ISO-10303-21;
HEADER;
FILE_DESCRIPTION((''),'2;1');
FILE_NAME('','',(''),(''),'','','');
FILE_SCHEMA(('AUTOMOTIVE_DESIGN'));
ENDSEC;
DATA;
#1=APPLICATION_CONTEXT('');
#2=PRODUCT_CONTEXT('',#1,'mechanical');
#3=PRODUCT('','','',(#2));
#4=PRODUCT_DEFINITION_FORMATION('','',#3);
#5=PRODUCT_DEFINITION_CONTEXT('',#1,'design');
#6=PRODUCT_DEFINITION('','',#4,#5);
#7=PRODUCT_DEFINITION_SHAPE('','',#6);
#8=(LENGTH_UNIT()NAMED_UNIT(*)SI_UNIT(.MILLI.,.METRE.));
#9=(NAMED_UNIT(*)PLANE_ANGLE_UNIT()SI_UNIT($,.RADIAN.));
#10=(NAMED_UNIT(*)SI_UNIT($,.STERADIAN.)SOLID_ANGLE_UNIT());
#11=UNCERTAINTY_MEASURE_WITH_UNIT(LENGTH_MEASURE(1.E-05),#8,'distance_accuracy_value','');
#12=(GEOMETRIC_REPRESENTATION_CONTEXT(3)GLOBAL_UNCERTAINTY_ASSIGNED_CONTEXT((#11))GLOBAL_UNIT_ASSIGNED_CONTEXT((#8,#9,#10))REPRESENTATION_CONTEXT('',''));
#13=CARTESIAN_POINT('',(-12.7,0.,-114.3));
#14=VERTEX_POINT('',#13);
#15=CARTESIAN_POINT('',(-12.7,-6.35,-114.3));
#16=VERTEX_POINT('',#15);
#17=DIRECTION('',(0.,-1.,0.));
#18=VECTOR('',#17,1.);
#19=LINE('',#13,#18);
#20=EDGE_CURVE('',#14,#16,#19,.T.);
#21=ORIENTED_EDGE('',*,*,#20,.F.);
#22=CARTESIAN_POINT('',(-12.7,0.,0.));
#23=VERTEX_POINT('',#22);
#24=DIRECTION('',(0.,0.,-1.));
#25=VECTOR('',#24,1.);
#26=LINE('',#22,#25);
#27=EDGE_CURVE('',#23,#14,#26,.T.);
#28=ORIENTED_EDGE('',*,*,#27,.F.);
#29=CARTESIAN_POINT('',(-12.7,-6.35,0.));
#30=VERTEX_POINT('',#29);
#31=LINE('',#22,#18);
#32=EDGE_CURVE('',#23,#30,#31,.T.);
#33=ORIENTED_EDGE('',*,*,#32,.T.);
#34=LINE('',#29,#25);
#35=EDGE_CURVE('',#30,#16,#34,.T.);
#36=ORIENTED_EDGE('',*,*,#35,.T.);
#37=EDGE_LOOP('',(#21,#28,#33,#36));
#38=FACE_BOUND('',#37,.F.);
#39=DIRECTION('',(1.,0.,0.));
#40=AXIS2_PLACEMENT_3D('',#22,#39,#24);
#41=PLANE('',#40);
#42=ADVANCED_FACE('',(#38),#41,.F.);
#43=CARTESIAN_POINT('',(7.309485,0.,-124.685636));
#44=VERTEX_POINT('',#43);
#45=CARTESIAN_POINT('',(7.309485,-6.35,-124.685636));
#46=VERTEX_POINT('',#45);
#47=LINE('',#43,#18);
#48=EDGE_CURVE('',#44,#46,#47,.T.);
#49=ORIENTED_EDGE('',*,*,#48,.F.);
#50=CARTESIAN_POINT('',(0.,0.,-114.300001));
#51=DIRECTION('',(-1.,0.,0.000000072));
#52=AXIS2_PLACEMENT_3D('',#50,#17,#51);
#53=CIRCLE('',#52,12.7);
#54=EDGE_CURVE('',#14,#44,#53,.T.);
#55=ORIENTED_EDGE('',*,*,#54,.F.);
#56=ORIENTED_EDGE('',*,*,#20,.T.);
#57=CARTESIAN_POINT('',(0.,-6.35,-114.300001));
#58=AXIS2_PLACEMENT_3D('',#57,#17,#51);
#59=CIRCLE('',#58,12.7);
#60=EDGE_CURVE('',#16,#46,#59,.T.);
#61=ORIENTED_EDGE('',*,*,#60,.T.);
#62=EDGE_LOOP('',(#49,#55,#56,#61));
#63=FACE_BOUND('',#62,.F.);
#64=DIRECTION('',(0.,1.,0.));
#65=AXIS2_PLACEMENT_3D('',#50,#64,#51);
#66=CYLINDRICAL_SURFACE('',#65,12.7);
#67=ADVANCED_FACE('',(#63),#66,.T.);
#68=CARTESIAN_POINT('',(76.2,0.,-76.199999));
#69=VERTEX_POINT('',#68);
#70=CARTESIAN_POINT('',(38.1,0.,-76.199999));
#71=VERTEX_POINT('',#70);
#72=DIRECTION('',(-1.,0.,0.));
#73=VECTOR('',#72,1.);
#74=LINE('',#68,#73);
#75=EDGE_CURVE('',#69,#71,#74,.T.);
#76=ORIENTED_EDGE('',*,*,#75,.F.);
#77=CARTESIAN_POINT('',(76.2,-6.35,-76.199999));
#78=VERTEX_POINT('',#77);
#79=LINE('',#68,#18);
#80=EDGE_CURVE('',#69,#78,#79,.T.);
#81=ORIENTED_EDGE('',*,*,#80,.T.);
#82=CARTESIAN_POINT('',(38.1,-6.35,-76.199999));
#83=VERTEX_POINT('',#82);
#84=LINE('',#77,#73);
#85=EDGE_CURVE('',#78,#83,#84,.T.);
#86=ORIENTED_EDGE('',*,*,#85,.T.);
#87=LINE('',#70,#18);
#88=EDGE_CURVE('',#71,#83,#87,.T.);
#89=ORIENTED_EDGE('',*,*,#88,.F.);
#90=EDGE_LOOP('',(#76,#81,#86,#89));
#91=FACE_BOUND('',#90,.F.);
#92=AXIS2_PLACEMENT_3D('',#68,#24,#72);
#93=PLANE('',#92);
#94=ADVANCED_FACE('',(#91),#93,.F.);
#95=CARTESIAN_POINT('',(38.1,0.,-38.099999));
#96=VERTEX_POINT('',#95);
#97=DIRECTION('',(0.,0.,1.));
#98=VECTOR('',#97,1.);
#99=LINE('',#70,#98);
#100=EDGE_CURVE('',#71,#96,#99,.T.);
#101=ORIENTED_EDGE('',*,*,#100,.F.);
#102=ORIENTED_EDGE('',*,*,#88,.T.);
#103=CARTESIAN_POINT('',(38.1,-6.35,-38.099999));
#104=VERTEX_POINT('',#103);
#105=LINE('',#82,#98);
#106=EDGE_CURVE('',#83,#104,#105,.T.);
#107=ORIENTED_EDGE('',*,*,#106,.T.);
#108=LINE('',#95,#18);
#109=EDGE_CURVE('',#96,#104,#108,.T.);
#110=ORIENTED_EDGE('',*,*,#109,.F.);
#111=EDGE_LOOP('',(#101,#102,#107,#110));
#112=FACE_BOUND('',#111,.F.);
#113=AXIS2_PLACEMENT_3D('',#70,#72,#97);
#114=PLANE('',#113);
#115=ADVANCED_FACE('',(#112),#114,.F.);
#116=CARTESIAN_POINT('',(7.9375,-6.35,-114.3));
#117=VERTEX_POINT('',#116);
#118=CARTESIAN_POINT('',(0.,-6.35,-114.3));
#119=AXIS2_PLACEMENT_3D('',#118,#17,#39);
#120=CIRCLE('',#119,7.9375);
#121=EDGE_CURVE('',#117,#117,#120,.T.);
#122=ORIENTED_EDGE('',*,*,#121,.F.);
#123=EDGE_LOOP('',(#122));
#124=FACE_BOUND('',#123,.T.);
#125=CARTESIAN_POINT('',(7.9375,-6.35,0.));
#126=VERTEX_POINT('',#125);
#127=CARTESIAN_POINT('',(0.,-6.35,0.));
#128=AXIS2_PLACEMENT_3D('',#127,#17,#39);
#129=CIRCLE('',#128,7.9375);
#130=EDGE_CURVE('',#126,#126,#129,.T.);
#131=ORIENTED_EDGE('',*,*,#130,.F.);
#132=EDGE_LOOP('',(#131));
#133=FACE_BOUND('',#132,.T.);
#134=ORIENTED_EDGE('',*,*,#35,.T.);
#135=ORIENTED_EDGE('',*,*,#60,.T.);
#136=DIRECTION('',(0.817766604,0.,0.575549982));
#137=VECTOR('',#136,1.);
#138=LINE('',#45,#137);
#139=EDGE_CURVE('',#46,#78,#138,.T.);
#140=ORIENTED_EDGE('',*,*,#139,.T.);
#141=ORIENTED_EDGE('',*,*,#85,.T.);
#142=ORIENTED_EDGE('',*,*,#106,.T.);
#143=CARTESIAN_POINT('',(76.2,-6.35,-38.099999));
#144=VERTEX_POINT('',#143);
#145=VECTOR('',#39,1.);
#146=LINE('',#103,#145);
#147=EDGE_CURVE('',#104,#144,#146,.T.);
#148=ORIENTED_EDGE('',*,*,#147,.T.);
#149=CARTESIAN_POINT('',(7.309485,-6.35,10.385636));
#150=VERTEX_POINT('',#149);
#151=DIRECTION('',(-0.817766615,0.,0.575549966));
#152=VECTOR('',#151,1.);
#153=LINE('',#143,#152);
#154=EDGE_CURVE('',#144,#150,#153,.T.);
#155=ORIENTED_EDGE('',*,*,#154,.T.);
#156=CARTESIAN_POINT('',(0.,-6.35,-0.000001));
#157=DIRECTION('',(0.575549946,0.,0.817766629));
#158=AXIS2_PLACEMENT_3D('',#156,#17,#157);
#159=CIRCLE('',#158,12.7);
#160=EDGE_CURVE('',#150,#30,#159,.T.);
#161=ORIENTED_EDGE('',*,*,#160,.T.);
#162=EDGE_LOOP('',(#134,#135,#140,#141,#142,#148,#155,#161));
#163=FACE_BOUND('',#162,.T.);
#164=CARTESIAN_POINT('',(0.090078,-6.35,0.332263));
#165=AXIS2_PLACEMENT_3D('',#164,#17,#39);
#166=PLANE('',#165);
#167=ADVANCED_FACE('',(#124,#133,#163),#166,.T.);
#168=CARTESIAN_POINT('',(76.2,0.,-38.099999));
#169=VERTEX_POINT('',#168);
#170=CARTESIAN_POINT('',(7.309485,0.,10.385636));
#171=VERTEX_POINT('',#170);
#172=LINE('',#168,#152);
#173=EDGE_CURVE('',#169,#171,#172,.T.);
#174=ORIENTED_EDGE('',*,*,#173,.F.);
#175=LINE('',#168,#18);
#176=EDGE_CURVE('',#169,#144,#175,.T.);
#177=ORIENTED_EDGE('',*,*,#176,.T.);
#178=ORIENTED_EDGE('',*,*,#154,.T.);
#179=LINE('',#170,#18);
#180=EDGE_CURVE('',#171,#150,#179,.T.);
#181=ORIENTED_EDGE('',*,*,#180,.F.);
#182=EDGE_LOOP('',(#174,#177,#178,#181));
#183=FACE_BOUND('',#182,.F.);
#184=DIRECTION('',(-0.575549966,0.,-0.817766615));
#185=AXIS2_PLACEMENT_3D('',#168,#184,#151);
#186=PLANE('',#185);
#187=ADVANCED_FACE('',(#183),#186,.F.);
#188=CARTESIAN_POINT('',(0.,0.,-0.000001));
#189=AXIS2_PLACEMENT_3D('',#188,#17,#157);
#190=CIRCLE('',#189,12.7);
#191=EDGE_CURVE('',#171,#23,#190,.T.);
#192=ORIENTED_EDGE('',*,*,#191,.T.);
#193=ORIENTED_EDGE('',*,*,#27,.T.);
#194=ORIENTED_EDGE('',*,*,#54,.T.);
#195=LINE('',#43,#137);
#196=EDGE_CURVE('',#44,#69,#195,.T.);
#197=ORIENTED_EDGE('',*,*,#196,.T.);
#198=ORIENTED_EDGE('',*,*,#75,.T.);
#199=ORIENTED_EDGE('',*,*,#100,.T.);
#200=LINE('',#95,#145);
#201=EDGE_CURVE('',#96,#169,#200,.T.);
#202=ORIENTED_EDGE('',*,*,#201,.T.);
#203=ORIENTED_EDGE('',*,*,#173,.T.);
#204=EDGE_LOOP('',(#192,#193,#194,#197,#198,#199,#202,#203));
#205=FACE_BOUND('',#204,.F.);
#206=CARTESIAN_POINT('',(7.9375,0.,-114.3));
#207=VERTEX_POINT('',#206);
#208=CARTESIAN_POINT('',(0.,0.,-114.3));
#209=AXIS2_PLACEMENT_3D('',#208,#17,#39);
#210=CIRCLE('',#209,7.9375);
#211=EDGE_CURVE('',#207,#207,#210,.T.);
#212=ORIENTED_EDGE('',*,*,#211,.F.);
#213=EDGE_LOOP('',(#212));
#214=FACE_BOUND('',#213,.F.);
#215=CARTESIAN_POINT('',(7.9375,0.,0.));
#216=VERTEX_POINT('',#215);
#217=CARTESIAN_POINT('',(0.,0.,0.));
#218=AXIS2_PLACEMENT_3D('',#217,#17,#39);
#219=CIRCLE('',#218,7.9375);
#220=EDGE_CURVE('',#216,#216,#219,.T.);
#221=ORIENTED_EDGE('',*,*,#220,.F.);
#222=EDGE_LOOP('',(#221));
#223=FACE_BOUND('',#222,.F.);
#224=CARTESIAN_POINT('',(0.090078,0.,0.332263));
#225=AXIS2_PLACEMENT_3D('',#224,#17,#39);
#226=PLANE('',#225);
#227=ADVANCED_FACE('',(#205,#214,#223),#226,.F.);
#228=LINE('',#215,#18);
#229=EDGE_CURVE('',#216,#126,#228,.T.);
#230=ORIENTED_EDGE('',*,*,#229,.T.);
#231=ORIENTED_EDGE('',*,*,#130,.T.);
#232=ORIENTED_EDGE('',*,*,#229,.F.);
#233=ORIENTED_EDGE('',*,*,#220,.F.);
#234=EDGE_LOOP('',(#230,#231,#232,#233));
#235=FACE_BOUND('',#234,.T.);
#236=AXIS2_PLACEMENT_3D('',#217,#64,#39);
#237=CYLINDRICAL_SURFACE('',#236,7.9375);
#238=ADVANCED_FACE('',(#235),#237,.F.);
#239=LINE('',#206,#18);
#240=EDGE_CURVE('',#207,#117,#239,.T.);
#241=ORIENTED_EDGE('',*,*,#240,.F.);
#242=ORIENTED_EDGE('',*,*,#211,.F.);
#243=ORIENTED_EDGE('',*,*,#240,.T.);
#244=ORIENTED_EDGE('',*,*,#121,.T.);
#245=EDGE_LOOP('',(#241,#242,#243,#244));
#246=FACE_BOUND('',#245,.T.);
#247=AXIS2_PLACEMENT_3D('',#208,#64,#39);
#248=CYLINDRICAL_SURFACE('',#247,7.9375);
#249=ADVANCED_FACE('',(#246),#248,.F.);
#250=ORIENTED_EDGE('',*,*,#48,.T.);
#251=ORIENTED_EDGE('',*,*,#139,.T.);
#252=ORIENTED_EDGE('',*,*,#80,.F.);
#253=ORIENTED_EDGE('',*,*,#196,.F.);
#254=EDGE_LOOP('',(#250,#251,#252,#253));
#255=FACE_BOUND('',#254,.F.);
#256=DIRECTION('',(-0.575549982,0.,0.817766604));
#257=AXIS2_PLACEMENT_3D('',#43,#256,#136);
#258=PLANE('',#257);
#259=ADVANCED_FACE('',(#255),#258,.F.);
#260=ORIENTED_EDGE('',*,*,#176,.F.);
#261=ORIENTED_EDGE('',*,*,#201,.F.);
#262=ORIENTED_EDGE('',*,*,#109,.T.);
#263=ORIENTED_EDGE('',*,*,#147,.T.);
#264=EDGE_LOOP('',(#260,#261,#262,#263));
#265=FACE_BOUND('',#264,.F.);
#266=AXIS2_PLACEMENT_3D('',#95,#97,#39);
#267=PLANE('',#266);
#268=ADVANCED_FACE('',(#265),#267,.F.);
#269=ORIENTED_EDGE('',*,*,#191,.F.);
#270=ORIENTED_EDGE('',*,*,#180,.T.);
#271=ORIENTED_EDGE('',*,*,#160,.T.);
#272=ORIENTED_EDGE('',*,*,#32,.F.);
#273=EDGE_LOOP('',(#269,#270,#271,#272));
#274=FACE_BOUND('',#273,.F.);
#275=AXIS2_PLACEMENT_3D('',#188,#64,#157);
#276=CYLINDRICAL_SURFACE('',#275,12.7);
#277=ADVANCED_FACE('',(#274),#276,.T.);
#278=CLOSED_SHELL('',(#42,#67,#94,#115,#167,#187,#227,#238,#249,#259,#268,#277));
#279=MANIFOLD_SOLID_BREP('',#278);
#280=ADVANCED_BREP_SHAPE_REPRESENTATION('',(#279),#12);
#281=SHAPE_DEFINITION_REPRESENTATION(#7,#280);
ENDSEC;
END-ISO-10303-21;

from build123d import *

# Parameters (mm, degrees)
F0_R     = 7.9375
F1_DEPTH = 6.35


with BuildPart() as f1:
    # F0 (on Front) → F1 (new body)
    with BuildSketch(Plane.XZ):
        with BuildLine():
            ThreePointArc((-12.7, 0), (0, -12.7), (12.7, 0))
            ThreePointArc((12.7, 0), (11.272099, 5.850622), (7.309485, 10.385636))
            ThreePointArc((7.309485, 10.385636), (-5.850622, 11.272099), (-12.7, 0))
        make_face()
        Circle(F0_R, mode=Mode.SUBTRACT)
        with BuildLine():
            ThreePointArc((7.309485, 10.385636), (11.272099, 5.850622), (12.7, 0))
            ThreePointArc((12.7, 0), (0, -12.7), (-12.7, 0))
            Line((-12.7, 0), (-12.7, -114.3))
            ThreePointArc((-12.7, -114.3), (0, -101.6), (12.7, -114.3))
            ThreePointArc((12.7, -114.3), (11.2721, -120.150622), (7.309485, -124.685636))
            Line((7.309485, -124.685636), (76.2, -76.199999))
            Line((76.2, -76.199999), (38.1, -76.199999))
            Line((38.1, -76.199999), (38.1, -38.099999))
            Line((38.1, -38.099999), (76.2, -38.099999))
            Line((76.2, -38.099999), (7.309485, 10.385636))
        make_face()
        with BuildLine():
            ThreePointArc((12.7, -114.3), (0, -101.6), (-12.7, -114.3))
            ThreePointArc((-12.7, -114.3), (-5.850622, -125.5721), (7.309485, -124.685636))
            ThreePointArc((7.309485, -124.685636), (11.2721, -120.150622), (12.7, -114.3))
        make_face()
        with Locations((0, -114.3)):
            Circle(F0_R, mode=Mode.SUBTRACT)
    extrude(amount=F1_DEPTH)


solid = f1.part
